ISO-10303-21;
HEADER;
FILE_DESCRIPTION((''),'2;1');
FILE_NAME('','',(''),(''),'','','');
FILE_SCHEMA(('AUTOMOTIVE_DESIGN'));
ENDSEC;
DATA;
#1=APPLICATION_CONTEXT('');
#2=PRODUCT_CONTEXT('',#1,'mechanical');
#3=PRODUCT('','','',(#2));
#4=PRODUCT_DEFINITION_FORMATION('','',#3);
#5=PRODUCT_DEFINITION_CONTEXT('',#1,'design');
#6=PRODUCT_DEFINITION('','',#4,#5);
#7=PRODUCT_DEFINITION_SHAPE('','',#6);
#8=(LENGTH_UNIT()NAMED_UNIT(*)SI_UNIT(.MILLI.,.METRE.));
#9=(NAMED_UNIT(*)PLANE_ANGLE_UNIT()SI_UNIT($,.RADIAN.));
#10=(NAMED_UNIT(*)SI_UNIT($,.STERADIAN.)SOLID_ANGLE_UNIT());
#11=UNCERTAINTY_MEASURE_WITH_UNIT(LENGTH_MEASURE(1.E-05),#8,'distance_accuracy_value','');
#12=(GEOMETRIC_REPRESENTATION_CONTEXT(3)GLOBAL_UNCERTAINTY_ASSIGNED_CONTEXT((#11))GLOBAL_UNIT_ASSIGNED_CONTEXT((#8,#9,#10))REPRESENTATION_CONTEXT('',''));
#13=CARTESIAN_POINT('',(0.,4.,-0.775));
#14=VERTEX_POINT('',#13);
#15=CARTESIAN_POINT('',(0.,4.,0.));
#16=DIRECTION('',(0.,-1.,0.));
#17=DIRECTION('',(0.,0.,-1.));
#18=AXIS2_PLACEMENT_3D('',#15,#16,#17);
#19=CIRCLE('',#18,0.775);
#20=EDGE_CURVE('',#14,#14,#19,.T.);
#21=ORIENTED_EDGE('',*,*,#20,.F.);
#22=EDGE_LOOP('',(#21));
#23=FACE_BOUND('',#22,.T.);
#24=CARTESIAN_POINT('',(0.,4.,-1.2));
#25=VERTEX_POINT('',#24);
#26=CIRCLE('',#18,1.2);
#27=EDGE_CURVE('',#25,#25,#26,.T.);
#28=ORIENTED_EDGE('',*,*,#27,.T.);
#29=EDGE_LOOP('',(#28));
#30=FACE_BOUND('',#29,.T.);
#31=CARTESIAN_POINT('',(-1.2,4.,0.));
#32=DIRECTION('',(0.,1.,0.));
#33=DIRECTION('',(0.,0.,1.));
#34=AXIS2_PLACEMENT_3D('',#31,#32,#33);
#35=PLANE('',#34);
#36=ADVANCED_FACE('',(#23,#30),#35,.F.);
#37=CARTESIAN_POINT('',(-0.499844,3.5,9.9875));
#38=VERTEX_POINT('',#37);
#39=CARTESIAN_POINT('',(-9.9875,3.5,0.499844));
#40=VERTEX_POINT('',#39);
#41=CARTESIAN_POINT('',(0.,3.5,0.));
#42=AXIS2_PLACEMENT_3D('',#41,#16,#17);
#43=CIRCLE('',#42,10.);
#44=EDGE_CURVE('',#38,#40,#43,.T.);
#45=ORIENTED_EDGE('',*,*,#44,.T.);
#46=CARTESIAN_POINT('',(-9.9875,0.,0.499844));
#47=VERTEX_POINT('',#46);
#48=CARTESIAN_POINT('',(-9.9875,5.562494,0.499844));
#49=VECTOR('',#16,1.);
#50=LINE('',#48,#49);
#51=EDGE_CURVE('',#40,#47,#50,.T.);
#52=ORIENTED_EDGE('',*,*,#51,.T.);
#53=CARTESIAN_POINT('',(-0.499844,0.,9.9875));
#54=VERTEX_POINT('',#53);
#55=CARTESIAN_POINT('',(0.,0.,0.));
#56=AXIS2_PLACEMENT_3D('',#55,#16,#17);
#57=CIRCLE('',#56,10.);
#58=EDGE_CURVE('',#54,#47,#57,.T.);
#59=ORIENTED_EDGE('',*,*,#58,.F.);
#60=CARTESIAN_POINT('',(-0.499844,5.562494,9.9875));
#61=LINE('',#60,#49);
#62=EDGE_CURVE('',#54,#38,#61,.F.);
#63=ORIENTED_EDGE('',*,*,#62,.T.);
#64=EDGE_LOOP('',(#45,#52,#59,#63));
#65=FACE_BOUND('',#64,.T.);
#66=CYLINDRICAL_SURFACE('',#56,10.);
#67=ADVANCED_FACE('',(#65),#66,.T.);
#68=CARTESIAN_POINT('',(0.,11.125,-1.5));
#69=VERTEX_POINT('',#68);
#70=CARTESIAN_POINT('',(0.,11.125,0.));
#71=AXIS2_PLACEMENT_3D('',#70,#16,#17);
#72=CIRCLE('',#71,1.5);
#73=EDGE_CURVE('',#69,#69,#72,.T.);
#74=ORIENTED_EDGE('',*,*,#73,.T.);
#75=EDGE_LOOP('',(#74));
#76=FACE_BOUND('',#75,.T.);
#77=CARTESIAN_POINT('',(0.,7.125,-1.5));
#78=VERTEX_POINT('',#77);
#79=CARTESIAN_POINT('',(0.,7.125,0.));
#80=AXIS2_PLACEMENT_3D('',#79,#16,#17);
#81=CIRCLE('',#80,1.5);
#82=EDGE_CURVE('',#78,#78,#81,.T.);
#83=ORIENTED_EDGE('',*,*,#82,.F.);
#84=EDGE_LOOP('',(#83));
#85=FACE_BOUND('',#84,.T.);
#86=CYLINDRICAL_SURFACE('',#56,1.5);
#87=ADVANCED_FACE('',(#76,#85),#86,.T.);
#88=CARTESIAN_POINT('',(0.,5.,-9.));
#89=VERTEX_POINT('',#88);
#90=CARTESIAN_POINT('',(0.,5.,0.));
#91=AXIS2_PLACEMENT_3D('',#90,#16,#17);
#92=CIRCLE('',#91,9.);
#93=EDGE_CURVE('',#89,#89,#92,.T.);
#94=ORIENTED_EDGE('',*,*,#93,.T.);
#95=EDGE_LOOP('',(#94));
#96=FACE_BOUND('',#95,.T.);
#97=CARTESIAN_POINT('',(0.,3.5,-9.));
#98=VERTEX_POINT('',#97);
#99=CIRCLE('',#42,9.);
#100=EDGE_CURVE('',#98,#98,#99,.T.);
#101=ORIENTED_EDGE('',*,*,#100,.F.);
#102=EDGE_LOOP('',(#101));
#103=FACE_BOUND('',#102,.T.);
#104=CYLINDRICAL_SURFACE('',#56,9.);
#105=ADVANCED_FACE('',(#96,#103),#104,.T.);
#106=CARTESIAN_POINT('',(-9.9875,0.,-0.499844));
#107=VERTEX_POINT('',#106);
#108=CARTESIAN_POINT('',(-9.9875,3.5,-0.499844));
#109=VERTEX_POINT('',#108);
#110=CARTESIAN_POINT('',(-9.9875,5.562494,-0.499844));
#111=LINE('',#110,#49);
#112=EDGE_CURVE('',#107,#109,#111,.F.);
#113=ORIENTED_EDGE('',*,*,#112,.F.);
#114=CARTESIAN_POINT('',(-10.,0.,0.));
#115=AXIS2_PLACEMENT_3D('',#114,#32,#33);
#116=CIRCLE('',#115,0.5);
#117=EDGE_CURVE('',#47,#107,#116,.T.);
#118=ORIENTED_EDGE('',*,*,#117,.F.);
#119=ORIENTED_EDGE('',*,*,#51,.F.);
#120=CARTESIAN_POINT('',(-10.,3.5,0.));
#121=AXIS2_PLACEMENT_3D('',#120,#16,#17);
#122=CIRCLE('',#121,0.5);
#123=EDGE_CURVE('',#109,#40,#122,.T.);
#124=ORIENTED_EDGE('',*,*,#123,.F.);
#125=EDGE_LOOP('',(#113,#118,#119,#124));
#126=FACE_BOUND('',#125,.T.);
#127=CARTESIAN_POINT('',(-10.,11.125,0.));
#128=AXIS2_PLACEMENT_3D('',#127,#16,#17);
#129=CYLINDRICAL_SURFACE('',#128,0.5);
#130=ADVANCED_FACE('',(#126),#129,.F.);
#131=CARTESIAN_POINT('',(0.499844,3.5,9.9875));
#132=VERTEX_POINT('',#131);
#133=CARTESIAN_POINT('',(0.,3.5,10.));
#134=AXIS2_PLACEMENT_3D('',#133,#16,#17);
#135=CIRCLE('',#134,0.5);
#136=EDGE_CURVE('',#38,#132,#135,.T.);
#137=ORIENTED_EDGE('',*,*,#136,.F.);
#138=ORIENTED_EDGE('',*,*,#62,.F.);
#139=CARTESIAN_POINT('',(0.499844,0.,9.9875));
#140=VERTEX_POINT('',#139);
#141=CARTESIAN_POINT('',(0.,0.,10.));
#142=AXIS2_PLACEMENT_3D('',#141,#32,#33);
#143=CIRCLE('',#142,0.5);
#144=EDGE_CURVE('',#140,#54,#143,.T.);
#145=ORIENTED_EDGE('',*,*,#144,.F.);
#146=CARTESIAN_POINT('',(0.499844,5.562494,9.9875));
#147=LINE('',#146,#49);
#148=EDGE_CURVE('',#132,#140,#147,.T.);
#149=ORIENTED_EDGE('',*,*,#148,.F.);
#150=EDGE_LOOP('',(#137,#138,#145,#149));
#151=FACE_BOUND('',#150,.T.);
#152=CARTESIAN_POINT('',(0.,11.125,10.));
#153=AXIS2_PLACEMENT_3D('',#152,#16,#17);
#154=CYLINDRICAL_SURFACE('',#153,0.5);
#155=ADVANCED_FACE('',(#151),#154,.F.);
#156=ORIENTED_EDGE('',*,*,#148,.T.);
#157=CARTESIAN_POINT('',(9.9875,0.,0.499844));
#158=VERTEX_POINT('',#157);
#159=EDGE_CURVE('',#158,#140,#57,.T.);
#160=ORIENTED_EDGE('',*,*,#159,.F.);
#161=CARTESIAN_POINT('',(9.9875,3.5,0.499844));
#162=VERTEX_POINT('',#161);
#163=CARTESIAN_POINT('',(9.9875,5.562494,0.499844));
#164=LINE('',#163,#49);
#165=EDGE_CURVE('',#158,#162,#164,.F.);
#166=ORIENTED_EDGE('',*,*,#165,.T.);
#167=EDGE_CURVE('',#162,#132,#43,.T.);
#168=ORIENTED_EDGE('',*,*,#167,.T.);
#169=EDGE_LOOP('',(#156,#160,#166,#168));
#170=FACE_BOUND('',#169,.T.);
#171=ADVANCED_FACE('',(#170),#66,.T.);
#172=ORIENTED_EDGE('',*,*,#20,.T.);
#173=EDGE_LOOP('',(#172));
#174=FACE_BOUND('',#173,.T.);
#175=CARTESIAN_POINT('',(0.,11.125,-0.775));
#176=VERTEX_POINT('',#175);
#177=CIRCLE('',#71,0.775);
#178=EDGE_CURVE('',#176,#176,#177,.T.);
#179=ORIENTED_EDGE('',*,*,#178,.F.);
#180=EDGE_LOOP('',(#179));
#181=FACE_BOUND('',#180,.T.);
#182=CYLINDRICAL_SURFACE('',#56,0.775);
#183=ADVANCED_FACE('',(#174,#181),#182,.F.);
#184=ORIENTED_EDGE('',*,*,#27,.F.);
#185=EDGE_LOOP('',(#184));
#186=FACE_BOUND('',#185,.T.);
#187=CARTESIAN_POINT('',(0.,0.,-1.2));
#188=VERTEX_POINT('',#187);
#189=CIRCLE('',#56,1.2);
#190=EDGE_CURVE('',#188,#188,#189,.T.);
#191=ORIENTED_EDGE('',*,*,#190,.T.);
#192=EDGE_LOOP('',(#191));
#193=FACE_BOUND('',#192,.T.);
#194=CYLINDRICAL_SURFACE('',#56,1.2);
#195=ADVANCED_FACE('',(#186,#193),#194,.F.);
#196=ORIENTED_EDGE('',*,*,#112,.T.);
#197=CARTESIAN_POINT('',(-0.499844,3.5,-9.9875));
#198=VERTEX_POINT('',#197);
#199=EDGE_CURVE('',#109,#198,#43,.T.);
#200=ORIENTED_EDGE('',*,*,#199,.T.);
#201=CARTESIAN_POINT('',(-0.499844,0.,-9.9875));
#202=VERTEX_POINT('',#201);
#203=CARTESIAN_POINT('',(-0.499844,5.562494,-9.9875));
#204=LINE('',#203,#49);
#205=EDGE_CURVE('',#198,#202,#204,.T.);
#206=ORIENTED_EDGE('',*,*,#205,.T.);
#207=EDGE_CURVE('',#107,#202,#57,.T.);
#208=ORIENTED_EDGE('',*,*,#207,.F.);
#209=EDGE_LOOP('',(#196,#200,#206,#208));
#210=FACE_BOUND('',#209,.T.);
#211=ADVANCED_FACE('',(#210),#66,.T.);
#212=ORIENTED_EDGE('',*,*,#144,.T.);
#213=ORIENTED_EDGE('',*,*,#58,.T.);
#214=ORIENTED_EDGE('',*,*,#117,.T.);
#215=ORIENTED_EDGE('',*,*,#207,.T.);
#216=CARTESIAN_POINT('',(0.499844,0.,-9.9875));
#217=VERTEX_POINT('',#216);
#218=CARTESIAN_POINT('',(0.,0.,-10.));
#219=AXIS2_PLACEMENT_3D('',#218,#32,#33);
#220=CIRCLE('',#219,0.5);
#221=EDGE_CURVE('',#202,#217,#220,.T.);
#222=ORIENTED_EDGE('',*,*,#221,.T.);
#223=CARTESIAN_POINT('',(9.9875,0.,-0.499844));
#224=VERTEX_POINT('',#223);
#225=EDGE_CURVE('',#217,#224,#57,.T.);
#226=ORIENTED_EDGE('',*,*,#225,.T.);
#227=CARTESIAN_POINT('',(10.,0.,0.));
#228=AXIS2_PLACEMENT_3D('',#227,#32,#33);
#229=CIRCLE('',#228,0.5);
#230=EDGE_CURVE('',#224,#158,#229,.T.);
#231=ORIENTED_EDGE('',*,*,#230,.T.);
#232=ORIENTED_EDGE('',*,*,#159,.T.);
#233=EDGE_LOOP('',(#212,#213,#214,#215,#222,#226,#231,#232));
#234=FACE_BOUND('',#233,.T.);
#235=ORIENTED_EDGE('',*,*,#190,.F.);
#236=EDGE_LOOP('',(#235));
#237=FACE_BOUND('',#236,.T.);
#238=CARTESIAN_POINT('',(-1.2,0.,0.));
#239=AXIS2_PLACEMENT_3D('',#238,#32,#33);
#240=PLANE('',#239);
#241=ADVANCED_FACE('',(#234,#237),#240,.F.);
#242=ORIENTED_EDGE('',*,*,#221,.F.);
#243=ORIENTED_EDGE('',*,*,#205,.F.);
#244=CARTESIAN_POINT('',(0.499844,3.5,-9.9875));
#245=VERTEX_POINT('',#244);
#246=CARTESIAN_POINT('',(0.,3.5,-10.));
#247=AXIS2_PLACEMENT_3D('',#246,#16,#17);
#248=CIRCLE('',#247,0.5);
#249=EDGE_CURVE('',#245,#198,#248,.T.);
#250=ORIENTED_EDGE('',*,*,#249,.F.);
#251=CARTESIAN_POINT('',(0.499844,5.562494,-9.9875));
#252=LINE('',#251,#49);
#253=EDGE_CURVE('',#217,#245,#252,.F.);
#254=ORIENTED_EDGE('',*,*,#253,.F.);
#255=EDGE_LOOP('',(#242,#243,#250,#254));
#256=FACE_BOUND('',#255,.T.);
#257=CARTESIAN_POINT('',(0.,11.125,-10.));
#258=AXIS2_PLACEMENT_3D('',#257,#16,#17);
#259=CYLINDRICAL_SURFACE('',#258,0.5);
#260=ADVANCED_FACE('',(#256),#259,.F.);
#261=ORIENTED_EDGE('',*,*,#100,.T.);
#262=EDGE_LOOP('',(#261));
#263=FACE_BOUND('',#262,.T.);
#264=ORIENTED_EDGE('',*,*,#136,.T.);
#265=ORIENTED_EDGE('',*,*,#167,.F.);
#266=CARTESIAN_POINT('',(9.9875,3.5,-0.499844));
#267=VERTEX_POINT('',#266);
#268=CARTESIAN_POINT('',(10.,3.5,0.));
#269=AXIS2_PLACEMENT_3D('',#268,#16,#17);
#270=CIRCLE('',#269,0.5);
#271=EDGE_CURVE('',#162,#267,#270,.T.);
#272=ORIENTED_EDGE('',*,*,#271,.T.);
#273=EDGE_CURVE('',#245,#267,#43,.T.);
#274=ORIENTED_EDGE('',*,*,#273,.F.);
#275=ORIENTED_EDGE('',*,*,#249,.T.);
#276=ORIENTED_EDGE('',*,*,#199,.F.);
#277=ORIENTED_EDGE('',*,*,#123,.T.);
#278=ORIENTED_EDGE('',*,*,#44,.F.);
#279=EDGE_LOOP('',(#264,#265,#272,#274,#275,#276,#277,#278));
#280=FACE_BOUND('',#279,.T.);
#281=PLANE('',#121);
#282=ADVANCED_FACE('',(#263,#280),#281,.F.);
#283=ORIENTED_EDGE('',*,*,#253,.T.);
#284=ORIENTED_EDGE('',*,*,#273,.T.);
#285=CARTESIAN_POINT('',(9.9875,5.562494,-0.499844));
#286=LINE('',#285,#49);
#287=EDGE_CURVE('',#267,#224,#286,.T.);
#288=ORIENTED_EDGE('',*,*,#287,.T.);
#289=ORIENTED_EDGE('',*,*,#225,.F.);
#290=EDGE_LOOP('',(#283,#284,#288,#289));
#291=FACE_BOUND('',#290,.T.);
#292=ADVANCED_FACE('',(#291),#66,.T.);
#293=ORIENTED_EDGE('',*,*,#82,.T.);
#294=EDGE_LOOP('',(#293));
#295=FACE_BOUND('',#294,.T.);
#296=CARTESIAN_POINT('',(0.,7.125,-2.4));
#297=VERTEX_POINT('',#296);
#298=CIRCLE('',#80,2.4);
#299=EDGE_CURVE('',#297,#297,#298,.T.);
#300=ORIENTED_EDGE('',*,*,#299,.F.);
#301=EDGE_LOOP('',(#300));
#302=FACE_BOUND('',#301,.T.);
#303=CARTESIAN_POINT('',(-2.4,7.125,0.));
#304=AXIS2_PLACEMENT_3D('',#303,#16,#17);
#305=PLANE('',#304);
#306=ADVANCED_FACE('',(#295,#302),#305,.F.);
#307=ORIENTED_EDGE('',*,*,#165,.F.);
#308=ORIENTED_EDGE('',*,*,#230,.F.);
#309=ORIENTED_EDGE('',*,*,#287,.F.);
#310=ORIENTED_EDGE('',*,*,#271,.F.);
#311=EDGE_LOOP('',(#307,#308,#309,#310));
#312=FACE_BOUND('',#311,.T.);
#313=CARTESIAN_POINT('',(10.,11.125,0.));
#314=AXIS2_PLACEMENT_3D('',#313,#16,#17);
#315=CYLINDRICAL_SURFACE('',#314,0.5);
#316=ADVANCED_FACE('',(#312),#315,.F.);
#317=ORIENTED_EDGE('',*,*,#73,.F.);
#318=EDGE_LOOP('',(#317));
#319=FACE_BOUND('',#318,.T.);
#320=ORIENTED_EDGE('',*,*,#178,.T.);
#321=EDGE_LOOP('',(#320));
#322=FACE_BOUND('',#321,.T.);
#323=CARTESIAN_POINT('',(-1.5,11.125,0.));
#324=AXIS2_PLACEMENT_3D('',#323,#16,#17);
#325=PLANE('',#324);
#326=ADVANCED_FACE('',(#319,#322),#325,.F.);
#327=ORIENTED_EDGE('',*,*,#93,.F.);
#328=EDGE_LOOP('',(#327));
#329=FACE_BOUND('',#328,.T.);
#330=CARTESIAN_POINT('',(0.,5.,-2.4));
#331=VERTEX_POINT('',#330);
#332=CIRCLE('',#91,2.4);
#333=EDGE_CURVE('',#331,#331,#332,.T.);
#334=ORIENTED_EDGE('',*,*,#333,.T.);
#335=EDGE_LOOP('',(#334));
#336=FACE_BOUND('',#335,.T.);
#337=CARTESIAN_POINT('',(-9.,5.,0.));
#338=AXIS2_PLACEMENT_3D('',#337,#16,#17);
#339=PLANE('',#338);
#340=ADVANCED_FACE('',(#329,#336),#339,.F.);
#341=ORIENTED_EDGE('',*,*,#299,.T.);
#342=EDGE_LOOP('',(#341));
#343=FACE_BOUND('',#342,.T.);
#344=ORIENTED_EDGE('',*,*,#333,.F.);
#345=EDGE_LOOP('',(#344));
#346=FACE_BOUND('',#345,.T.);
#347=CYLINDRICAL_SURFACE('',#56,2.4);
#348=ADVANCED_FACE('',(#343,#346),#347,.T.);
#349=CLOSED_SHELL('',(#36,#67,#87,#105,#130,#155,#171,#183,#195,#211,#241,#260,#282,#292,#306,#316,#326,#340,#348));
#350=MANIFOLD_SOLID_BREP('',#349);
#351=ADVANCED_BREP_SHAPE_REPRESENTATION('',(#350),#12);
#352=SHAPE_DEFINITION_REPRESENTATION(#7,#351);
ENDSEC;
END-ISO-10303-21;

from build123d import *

# Parameters (mm, degrees)
CUT_EXTRUDE1_DEPTH      = 18.993488406
CUT_EXTRUDE1_DEPTH_BACK = 18.993488406
SKETCH5_R               = 0.5


with BuildPart() as part:
    # Sketch4 → Revolve1 (revolve)
    with BuildSketch(Plane.XY, mode=Mode.PRIVATE) as revolve1_sk:
        Polygon((-0.775, 11.125), (-0.775, 4), (-1.2, 4), (-1.2, 0), (-10, 0), (-10, 3.5), (-9, 3.5), (-9, 5), (-2.4, 5), (-2.4, 7.125), (-1.5, 7.125), (-1.5, 11.125), align=None)
    revolve(revolve1_sk.sketch.rotate(Axis((0, 0, 0), (0, 1, 0)), 270), axis=Axis((0, 0, 0), (0, 1, 0)))

    # Sketch5 → Cut-Extrude1 (cut, two sides: drawn at the far end of the back side and taken through both)
    with BuildSketch(Plane.XZ.offset(-CUT_EXTRUDE1_DEPTH_BACK)):
        with Locations((0, 10)):
            Circle(SKETCH5_R)
        with Locations((10, 0)):
            Circle(SKETCH5_R)
        with Locations((0, -10)):
            Circle(SKETCH5_R)
        with Locations((-10, 0)):
            Circle(SKETCH5_R)
    extrude(amount=CUT_EXTRUDE1_DEPTH + CUT_EXTRUDE1_DEPTH_BACK, mode=Mode.SUBTRACT)


solid = part.part
